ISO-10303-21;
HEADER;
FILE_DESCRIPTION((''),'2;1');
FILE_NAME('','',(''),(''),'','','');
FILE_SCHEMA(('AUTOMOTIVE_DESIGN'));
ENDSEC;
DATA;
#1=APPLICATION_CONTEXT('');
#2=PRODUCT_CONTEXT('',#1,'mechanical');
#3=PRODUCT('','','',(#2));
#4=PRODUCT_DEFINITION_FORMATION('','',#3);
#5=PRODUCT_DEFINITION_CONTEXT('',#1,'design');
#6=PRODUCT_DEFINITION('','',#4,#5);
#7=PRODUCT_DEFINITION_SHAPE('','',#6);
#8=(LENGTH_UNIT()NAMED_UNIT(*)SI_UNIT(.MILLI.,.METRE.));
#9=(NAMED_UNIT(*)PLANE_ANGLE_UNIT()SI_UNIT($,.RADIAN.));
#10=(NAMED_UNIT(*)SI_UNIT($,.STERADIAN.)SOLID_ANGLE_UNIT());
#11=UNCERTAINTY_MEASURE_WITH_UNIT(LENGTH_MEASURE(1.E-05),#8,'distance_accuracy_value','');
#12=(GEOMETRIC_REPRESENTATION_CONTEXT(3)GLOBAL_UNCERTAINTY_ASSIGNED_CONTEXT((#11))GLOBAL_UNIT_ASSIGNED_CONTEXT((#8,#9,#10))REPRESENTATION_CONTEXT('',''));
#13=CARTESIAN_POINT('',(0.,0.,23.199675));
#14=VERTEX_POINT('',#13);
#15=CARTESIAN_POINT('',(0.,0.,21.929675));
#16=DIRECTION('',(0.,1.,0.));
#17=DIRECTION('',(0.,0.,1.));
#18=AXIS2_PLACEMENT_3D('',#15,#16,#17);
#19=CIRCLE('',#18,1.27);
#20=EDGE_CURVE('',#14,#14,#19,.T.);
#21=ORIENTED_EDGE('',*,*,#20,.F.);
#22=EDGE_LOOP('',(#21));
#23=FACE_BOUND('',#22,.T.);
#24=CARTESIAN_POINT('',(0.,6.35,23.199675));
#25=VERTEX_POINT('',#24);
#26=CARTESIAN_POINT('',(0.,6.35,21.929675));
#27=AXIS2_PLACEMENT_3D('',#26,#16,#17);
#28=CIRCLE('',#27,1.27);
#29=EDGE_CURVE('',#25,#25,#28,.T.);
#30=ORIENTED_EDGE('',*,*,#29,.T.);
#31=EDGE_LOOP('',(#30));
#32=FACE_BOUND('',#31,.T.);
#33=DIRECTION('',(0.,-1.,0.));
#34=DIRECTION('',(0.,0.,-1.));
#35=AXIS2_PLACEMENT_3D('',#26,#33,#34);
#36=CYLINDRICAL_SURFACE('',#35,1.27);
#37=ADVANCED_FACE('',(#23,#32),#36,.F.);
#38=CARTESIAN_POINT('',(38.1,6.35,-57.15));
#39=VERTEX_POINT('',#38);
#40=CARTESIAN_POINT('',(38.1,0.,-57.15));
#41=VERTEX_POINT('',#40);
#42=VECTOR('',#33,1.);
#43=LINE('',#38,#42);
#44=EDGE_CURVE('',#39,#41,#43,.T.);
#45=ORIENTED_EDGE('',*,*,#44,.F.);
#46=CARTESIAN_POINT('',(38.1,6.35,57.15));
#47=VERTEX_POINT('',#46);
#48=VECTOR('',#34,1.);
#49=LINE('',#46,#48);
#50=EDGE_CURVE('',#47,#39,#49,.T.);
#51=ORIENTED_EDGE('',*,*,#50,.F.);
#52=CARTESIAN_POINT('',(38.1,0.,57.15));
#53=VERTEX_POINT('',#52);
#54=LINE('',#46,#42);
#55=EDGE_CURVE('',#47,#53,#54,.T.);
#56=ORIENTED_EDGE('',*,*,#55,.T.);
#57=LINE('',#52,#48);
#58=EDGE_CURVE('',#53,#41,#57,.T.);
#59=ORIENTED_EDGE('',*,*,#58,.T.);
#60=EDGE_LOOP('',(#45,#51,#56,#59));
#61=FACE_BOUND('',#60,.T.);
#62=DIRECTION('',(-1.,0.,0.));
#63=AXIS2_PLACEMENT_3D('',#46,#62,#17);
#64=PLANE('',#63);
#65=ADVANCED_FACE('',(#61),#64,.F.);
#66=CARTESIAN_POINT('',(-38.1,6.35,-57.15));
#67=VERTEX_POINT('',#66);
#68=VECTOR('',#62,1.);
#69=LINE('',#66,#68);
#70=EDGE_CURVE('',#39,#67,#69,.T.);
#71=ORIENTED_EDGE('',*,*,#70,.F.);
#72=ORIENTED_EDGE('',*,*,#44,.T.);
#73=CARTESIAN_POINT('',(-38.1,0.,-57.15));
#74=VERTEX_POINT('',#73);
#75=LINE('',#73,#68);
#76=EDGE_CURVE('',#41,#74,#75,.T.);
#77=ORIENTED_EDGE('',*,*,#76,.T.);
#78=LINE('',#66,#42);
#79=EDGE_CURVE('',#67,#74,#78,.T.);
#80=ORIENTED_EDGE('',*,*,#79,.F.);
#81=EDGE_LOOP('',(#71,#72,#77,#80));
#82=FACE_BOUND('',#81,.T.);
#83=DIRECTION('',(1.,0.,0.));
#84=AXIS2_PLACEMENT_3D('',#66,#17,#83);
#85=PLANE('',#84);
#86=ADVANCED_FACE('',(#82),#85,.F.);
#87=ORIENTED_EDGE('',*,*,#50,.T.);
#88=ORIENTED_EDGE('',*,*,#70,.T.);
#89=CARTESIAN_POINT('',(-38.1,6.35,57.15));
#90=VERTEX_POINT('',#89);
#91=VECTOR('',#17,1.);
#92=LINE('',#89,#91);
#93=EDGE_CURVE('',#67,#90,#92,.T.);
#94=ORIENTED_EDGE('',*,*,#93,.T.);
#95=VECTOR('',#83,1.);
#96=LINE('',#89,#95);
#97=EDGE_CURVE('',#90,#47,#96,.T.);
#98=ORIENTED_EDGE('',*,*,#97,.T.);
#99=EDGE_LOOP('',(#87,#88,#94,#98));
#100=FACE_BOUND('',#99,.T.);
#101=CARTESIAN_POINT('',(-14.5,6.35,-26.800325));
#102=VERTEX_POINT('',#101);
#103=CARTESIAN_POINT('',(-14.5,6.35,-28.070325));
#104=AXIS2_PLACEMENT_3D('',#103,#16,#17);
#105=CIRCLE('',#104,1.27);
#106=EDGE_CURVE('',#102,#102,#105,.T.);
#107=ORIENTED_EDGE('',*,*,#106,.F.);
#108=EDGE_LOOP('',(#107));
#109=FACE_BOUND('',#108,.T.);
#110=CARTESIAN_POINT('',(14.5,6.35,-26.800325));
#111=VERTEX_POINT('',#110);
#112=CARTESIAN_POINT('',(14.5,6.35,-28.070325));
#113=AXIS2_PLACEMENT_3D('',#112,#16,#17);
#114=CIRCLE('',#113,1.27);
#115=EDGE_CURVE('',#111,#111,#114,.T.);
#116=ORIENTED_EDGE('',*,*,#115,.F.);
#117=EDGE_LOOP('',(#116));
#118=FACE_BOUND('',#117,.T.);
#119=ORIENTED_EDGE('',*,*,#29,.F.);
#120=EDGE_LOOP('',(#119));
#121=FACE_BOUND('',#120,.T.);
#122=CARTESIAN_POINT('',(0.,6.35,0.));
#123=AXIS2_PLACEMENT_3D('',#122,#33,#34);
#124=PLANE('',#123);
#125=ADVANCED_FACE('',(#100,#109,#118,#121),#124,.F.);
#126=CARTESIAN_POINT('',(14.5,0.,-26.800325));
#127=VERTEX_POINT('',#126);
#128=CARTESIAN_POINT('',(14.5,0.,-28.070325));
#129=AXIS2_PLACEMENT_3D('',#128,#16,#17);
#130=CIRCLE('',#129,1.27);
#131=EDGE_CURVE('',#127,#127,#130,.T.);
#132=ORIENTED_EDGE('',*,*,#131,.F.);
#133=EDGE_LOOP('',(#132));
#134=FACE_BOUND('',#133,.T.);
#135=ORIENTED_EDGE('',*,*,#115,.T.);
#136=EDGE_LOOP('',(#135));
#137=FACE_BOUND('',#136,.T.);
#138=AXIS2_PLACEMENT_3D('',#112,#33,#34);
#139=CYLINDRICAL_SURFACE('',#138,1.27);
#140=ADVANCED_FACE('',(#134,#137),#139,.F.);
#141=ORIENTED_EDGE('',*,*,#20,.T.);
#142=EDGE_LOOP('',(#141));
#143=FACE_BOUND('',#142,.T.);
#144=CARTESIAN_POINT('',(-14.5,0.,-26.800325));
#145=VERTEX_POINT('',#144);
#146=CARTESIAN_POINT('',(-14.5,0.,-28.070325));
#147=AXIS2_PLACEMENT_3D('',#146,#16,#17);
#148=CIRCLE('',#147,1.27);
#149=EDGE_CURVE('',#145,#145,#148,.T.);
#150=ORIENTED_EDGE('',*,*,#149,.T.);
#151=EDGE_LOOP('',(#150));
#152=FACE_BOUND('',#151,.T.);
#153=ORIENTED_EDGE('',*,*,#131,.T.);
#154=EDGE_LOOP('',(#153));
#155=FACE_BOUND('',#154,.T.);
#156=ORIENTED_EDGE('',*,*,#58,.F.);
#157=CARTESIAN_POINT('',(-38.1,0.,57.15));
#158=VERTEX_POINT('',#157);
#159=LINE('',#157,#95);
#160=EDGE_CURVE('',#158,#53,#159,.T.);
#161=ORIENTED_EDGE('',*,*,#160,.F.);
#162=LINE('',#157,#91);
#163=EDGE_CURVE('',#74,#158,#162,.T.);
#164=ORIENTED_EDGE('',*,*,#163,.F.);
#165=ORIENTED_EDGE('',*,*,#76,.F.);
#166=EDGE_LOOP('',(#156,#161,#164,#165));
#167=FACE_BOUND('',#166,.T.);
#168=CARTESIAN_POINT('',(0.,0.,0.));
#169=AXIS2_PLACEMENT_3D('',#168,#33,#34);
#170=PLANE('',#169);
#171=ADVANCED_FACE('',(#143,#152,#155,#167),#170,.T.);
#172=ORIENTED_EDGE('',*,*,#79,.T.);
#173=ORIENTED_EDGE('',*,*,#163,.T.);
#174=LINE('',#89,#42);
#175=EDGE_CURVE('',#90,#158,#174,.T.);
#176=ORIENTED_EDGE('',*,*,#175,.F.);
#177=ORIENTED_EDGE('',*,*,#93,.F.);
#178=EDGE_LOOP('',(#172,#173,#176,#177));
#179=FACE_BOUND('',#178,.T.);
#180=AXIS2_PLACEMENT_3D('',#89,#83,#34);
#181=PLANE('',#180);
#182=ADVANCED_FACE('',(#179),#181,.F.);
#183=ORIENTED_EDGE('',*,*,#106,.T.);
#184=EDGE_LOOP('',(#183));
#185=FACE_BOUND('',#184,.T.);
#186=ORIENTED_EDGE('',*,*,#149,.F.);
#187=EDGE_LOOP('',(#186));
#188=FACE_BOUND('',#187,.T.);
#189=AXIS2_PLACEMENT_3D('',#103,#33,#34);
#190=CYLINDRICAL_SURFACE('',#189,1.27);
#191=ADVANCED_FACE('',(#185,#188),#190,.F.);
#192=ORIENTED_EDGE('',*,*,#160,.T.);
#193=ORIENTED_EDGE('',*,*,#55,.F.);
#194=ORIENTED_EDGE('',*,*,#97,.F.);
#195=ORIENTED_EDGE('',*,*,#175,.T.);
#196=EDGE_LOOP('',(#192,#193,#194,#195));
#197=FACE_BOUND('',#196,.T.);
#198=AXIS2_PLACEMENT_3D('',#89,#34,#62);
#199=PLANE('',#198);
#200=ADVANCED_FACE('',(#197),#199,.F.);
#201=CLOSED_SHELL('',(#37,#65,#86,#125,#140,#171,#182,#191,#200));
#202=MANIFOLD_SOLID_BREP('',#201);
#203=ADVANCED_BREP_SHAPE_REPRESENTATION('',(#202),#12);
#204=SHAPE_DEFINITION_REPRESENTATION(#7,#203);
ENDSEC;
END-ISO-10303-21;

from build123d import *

# Parameters (mm, degrees)
SKETCH1_W           = 76.2
SKETCH1_H           = 114.3
SKETCH1_R           = 1.27
BOSS_EXTRUDE1_DEPTH = 6.35


with BuildPart() as part:
    # Sketch1 → Boss-Extrude1 (new body)
    with BuildSketch(Plane(origin=(0, 0, 0), x_dir=(1, 0, 0), z_dir=(0, 1, 0))):
        Rectangle(SKETCH1_W, SKETCH1_H)
        with Locations(Location((-14.5, 28.070324536, 0), (0, 0, 270))):
            Circle(SKETCH1_R, mode=Mode.SUBTRACT)
        with Locations(Location((14.5, 28.070324536, 0), (0, 0, 270))):
            Circle(SKETCH1_R, mode=Mode.SUBTRACT)
        with Locations(Location((0, -21.929675464, 0), (0, 0, 270))):
            Circle(SKETCH1_R, mode=Mode.SUBTRACT)
    extrude(amount=BOSS_EXTRUDE1_DEPTH)


solid = part.part
